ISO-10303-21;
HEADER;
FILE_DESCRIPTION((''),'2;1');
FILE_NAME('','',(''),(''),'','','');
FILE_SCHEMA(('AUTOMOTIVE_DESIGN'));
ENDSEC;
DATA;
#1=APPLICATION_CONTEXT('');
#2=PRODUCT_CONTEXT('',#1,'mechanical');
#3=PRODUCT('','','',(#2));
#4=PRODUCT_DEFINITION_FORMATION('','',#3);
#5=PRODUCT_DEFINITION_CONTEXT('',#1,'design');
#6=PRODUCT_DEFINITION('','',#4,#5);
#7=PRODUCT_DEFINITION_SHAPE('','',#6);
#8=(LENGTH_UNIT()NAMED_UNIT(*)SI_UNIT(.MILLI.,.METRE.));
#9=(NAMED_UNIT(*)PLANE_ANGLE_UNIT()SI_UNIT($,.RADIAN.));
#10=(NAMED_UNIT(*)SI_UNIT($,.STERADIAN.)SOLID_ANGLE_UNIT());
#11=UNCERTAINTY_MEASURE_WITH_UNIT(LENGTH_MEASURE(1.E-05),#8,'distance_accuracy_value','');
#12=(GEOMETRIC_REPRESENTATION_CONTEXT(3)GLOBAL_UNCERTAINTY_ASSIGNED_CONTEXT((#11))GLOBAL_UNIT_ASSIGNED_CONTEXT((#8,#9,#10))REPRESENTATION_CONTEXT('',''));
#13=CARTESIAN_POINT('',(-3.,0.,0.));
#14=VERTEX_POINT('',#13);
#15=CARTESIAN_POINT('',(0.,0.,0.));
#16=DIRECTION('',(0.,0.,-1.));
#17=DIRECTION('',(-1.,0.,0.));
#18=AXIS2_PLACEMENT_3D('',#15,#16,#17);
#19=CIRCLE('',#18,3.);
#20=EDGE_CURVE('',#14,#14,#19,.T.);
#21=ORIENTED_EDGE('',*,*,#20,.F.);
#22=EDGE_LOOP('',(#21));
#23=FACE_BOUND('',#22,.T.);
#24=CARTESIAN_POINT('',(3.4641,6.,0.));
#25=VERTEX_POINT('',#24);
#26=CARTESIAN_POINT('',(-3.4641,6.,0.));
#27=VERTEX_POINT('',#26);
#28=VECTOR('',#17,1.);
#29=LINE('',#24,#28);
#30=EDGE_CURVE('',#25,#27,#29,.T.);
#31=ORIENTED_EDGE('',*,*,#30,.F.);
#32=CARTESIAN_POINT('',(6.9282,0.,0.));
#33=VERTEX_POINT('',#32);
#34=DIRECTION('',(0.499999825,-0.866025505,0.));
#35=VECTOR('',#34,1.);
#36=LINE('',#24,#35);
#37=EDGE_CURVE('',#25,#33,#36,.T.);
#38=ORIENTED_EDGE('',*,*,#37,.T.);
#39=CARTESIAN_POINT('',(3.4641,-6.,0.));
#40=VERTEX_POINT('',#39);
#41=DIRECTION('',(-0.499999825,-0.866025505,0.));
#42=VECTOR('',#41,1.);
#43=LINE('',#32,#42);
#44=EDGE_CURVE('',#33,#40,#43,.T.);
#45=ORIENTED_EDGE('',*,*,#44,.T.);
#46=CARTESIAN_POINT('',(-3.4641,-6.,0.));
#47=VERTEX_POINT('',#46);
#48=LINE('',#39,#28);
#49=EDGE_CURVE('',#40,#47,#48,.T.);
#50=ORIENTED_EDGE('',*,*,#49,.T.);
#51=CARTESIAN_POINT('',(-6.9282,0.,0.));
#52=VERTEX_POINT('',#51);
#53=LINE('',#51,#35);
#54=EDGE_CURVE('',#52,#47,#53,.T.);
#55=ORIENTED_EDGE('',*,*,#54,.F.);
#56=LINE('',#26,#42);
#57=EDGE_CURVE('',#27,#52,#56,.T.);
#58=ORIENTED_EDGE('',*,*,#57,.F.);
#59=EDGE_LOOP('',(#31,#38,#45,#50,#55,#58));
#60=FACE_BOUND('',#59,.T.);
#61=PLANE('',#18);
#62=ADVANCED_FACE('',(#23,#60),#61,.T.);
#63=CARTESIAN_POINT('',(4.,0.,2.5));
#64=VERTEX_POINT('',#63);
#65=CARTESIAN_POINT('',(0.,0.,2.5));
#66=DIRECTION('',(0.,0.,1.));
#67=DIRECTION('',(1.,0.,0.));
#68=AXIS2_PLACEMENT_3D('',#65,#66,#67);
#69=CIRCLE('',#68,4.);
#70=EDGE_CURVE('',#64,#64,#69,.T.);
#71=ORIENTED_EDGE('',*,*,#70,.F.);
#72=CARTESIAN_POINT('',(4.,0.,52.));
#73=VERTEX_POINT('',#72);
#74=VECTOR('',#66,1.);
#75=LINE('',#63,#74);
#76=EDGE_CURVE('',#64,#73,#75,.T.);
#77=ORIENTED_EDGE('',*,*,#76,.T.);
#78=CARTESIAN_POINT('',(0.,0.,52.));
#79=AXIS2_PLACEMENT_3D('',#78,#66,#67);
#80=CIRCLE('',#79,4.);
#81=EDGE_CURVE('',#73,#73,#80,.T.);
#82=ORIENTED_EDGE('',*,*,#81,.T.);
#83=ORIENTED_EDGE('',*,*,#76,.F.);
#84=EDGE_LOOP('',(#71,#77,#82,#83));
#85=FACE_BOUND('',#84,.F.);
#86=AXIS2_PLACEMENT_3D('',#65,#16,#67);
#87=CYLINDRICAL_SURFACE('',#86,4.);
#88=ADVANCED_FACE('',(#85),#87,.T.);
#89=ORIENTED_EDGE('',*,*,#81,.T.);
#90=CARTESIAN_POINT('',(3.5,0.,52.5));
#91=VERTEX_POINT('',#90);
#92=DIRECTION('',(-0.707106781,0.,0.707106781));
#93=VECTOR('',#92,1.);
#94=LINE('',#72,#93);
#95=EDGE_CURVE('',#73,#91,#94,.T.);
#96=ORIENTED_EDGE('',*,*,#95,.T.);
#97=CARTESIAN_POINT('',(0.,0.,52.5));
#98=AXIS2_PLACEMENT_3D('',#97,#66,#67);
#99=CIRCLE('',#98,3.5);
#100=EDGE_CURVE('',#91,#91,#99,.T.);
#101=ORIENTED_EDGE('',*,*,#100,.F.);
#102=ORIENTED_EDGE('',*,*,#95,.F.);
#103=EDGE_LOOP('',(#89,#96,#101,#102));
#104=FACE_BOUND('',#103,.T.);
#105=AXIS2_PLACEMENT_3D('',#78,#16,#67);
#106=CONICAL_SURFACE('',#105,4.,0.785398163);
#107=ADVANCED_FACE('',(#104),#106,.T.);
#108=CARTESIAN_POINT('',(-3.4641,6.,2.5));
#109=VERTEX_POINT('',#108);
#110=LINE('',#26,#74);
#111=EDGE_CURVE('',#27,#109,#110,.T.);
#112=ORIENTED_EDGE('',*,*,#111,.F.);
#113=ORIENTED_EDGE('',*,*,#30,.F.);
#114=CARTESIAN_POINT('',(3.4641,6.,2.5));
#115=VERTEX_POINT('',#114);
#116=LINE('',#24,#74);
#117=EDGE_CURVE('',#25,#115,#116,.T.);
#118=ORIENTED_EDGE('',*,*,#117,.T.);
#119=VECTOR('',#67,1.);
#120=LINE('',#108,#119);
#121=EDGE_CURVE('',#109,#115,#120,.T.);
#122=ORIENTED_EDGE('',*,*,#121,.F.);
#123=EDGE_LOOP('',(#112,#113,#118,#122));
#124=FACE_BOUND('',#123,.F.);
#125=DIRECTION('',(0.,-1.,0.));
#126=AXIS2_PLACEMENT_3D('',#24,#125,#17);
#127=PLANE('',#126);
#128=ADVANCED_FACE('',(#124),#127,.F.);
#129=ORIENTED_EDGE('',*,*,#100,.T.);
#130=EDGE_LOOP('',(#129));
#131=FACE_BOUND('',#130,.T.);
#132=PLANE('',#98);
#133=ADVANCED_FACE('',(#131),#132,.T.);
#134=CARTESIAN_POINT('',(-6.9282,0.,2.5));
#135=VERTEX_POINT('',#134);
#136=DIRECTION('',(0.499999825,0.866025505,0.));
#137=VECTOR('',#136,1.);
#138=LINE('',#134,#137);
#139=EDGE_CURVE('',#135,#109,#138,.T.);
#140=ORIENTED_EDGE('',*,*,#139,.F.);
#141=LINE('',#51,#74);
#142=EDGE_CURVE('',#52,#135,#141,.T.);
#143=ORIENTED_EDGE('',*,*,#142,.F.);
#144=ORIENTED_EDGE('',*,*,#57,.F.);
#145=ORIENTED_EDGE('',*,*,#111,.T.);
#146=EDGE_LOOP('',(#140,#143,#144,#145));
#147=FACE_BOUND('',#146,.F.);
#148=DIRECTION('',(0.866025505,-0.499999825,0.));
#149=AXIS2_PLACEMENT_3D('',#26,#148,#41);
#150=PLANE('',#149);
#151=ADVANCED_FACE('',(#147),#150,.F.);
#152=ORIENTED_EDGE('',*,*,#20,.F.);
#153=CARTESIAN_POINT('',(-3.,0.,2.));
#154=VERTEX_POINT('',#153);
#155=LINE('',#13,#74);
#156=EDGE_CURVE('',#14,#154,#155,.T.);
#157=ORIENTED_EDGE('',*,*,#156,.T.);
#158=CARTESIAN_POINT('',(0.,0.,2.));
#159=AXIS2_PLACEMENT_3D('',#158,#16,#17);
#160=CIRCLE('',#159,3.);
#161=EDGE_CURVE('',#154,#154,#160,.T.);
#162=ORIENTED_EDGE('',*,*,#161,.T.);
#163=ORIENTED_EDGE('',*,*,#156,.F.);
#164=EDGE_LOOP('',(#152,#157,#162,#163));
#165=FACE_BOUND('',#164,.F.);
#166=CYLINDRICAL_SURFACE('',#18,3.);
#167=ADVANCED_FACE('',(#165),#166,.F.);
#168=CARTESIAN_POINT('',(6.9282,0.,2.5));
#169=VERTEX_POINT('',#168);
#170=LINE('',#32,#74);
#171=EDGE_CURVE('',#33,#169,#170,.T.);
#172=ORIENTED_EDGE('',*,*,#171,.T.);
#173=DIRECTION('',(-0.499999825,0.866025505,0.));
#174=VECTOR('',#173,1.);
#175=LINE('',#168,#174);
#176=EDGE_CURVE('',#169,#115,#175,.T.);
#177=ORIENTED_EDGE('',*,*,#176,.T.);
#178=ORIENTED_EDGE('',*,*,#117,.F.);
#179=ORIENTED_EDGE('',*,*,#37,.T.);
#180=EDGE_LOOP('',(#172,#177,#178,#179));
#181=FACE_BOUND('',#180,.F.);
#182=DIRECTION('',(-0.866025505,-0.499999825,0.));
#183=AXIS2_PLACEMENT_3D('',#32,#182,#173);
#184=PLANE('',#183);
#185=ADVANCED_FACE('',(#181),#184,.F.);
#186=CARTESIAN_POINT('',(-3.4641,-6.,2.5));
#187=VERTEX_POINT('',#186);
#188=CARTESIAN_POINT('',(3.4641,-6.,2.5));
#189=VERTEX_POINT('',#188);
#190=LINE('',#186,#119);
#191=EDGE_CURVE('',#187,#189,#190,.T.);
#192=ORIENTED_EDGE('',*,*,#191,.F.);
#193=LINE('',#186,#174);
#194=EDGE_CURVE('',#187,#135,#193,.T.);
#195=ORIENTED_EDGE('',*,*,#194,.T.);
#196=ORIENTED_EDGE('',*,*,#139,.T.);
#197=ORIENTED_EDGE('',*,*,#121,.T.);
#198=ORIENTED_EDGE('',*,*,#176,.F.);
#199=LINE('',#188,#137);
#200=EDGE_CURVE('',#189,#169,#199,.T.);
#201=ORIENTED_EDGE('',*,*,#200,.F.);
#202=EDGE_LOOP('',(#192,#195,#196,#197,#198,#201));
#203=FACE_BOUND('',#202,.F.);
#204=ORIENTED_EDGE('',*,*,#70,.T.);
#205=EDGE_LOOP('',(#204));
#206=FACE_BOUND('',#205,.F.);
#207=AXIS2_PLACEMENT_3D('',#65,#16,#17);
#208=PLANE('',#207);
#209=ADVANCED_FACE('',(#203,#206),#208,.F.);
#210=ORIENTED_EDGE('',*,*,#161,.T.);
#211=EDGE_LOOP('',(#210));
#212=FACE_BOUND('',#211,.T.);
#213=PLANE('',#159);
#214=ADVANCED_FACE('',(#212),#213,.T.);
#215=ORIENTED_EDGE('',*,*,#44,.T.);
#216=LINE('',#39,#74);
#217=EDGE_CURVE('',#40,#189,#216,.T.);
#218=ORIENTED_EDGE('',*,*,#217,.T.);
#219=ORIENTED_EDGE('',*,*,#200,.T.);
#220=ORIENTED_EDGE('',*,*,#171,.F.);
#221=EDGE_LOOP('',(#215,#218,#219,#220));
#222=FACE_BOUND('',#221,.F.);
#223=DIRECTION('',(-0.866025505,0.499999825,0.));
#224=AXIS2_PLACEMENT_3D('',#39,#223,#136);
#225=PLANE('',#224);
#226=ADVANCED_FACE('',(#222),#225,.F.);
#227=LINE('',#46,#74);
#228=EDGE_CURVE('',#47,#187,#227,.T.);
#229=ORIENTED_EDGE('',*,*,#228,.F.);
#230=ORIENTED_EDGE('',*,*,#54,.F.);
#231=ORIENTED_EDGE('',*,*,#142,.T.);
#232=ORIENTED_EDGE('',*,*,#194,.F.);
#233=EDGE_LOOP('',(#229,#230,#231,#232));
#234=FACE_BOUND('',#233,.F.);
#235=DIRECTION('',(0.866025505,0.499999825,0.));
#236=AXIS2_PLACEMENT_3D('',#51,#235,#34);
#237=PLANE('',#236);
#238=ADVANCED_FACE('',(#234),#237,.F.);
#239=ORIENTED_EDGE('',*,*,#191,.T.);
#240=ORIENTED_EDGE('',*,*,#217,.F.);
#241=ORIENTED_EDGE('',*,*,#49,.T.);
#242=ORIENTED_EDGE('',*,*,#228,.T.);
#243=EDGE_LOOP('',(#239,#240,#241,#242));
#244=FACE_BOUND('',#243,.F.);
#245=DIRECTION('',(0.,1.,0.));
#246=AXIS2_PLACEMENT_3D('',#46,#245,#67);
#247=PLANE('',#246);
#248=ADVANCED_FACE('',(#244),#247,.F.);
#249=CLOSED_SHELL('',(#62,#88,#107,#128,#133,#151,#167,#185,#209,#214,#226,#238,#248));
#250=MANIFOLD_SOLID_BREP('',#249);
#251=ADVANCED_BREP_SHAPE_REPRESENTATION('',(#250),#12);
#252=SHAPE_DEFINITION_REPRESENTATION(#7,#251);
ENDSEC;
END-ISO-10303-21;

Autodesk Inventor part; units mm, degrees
ref_plane "YZ Plane" through (0, 0, 0) normal (1, 0, 0) x (0, 1, 0)
ref_plane "XZ Plane" through (0, 0, 0) normal (0, 1, 0) x (-1, 0, 0)
ref_plane "XY Plane" through (0, 0, 0) normal (0, 0, 1) x (1, 0, 0)
sketch "Skizze1" plane through (0, 0, 0) normal (0, 0, 1) x (1, 0, 0)
  circle A0 centre (0, 0) radius 6
  dimension "d0" = 12
extrude "Extrusion1" add sketch "Skizze1" along normal blind 2.5
sketch "Skizze2" plane through (0, 0, 2.5) normal (0, 0, 1) x (1, 0, 0)
  circle A0 centre (0, 0) radius 4
  dimension "d3" = 8
extrude "Extrusion2" add sketch "Skizze2" along normal blind 50
sketch "Skizze3" plane through (0, 0, 0) normal (0, 0, -1) x (-1, 0, 0)
  circle A0 centre (0, 0) radius 3
  dimension "d6" = 6
extrude "Extrusion3" cut sketch "Skizze3" against normal blind 2
sketch "Skizze4" plane through (0, 0, 0) normal (0, 0, -1) x (-1, 0, 0)
  line L0 (3.4641, 6) -> (6.9282, 0)
  line L1 (6.9282, 0) -> (3.4641, -6)
  line L2 (3.4641, -6) -> (-3.4641, -6)
  line L3 (-3.4641, -6) -> (-6.9282, 0)
  line L4 (-6.9282, 0) -> (-3.4641, 6)
  line L5 (-3.4641, 6) -> (3.4641, 6)
  circle A0 centre (0, 0) radius 3 projected
  dimension "d9" = 12
extrude "Extrusion4" add sketch "Skizze4" against normal up to surface (2.5 mm away)
chamfer "Fase1" distance 0.5 angle 45 1 edges at (-4, 0, 52.5)
thread "Gewinde1" size "M8x1.25" class "6g" standard "ANSI Metric M Profile" length 15
properties part number "Bolzen" material "Messing, weicher Gelbton"
